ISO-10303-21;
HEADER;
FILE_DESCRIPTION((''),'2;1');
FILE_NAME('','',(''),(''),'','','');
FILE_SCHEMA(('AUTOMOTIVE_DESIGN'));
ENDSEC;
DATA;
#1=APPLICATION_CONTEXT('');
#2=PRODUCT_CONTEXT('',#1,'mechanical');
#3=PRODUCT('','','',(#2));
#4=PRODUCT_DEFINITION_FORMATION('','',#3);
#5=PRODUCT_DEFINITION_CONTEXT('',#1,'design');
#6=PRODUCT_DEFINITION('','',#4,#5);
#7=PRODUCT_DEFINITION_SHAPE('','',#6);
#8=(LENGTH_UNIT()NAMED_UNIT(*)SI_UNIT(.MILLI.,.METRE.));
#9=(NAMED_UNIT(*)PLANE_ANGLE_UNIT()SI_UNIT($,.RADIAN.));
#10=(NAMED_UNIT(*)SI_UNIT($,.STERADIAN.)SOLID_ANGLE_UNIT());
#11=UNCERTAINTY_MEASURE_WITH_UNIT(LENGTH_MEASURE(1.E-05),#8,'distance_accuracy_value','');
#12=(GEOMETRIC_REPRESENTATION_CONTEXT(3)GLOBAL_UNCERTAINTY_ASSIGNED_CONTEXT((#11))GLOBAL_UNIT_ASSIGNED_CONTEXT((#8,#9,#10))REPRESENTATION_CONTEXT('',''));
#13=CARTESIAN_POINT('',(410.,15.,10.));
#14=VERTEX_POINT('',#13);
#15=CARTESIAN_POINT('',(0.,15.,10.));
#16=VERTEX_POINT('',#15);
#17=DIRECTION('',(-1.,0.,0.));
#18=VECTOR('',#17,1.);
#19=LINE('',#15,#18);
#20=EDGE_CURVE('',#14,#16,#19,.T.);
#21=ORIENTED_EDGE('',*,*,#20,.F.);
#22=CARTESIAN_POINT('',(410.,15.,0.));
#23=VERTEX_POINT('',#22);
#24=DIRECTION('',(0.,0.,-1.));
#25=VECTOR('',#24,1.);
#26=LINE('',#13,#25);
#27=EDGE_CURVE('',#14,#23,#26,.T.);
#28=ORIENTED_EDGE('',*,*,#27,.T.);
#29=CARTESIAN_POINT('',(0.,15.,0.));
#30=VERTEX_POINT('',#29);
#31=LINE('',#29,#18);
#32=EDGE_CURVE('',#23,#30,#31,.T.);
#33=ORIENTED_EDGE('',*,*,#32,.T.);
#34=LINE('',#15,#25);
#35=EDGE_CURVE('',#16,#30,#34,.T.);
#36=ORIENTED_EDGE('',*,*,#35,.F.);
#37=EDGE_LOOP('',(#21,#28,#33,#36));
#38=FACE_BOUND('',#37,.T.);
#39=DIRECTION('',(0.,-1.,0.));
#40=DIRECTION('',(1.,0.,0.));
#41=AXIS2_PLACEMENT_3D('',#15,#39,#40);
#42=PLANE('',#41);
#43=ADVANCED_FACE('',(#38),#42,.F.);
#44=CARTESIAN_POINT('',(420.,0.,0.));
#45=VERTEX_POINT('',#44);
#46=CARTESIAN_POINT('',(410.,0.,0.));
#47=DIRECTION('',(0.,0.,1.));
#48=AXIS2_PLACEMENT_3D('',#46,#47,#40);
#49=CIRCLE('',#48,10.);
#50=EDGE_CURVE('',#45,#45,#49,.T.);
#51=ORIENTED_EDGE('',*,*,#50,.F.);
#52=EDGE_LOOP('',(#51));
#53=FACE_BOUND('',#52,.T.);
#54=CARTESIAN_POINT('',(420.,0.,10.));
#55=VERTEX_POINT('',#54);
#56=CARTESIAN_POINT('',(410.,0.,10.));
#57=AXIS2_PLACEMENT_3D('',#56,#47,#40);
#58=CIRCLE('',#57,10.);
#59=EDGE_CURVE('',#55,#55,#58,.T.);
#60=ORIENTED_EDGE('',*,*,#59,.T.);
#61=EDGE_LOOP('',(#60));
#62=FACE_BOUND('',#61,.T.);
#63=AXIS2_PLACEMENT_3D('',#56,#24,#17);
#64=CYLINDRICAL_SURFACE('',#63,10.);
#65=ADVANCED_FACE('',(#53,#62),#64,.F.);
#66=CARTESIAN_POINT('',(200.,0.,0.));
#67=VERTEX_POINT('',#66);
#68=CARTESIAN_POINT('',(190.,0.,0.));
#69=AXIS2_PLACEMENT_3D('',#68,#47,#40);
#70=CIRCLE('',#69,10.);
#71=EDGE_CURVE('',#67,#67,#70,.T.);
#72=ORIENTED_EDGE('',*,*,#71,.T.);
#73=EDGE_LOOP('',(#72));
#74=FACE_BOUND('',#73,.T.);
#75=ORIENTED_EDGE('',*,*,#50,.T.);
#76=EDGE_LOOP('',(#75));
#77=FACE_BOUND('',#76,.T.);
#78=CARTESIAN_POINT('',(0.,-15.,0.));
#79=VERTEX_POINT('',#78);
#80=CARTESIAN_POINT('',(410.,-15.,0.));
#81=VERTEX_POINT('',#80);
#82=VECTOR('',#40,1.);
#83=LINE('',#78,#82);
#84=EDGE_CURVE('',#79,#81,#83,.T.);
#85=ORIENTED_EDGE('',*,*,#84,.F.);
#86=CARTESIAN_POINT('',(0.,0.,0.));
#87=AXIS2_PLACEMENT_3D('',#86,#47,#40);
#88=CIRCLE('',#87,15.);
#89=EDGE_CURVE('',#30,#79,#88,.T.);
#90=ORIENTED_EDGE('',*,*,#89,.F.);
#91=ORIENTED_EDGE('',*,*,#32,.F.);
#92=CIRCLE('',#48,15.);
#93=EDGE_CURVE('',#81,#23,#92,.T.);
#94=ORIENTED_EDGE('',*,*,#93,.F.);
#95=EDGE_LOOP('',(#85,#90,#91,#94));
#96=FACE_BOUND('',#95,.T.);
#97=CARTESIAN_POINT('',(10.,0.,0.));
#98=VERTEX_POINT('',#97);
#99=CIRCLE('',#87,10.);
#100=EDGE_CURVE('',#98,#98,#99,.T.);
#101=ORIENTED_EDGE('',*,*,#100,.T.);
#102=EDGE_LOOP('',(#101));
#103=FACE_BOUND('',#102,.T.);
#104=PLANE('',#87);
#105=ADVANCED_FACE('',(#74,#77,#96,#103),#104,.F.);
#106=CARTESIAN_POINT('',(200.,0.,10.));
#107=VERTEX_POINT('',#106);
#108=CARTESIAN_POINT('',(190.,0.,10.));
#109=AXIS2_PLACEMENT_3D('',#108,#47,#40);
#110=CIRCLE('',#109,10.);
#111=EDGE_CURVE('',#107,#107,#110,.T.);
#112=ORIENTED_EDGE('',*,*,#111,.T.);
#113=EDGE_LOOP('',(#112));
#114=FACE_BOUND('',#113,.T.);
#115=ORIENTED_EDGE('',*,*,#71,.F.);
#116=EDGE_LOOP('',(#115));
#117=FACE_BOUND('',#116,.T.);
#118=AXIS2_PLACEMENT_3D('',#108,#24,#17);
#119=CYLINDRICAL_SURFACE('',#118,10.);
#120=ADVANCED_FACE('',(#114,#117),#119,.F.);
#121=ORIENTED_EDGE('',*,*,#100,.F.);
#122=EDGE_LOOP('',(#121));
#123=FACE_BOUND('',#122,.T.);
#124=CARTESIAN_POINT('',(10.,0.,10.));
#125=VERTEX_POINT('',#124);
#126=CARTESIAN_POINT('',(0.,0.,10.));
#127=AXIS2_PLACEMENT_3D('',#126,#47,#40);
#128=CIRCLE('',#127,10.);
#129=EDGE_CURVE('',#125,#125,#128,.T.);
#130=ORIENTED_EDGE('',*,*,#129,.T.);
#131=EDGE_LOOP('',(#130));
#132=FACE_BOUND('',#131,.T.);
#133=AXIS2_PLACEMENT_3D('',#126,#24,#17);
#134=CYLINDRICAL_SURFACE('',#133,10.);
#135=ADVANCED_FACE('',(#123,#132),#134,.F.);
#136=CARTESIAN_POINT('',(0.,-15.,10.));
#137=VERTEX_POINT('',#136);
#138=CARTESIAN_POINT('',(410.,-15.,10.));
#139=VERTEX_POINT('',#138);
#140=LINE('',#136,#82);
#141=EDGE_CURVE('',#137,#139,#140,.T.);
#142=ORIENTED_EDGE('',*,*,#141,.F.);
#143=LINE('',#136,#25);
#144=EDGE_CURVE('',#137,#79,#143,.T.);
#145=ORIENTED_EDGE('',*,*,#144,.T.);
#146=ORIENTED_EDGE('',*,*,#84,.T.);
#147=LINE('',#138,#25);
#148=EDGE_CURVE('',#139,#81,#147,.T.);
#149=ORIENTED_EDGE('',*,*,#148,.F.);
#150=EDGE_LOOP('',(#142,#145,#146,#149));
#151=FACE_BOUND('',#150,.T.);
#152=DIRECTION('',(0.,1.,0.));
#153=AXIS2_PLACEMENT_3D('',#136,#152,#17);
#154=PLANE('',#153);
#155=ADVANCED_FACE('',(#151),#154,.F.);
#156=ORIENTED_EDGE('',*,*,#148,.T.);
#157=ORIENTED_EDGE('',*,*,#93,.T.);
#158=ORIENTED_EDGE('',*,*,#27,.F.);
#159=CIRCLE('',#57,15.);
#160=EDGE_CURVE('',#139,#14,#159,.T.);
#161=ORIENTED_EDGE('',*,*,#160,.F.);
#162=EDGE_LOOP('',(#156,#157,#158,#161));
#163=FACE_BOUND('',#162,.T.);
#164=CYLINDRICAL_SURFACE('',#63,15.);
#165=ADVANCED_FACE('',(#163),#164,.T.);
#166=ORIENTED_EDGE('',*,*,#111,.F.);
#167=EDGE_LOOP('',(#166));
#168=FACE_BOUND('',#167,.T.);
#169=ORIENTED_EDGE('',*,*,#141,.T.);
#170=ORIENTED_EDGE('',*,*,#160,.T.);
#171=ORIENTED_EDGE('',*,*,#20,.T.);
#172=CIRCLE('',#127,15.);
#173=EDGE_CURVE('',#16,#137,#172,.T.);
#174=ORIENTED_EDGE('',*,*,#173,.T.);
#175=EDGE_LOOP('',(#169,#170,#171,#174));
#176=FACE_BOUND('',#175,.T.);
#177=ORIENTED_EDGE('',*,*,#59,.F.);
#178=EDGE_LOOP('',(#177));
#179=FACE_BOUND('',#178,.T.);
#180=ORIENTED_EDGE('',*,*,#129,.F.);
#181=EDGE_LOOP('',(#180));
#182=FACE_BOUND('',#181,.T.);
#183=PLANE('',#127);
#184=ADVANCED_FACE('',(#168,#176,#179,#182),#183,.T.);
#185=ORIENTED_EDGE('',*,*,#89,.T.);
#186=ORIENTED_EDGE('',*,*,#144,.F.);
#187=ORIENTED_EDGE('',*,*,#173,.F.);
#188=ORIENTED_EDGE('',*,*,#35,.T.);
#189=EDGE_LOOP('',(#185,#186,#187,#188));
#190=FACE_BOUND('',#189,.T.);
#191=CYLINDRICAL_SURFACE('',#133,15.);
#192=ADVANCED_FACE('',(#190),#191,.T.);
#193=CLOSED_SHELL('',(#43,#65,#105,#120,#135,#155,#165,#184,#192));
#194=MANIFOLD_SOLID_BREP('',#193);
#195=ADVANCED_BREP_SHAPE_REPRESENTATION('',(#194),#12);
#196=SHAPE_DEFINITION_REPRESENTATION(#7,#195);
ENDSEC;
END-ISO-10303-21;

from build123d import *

# Parameters (mm, degrees)
SKETCH_2_R      = 10
EXTRUDE_1_DEPTH = 10


with BuildPart() as part:
    # Эскиз2 → Бобышка-Вытянуть1 (new body)
    with BuildSketch(Plane.XY):
        with BuildLine():
            Line((0, 15), (410, 15))
            ThreePointArc((410, 15), (425, 0), (410, -15))
            Line((410, -15), (0, -15))
            ThreePointArc((0, -15), (-15, 0), (0, 15))
        make_face()
        Circle(SKETCH_2_R, mode=Mode.SUBTRACT)
        with Locations((410, 0)):
            Circle(SKETCH_2_R, mode=Mode.SUBTRACT)
        with Locations((190, 0)):
            Circle(SKETCH_2_R, mode=Mode.SUBTRACT)
    extrude(amount=EXTRUDE_1_DEPTH)


solid = part.part
